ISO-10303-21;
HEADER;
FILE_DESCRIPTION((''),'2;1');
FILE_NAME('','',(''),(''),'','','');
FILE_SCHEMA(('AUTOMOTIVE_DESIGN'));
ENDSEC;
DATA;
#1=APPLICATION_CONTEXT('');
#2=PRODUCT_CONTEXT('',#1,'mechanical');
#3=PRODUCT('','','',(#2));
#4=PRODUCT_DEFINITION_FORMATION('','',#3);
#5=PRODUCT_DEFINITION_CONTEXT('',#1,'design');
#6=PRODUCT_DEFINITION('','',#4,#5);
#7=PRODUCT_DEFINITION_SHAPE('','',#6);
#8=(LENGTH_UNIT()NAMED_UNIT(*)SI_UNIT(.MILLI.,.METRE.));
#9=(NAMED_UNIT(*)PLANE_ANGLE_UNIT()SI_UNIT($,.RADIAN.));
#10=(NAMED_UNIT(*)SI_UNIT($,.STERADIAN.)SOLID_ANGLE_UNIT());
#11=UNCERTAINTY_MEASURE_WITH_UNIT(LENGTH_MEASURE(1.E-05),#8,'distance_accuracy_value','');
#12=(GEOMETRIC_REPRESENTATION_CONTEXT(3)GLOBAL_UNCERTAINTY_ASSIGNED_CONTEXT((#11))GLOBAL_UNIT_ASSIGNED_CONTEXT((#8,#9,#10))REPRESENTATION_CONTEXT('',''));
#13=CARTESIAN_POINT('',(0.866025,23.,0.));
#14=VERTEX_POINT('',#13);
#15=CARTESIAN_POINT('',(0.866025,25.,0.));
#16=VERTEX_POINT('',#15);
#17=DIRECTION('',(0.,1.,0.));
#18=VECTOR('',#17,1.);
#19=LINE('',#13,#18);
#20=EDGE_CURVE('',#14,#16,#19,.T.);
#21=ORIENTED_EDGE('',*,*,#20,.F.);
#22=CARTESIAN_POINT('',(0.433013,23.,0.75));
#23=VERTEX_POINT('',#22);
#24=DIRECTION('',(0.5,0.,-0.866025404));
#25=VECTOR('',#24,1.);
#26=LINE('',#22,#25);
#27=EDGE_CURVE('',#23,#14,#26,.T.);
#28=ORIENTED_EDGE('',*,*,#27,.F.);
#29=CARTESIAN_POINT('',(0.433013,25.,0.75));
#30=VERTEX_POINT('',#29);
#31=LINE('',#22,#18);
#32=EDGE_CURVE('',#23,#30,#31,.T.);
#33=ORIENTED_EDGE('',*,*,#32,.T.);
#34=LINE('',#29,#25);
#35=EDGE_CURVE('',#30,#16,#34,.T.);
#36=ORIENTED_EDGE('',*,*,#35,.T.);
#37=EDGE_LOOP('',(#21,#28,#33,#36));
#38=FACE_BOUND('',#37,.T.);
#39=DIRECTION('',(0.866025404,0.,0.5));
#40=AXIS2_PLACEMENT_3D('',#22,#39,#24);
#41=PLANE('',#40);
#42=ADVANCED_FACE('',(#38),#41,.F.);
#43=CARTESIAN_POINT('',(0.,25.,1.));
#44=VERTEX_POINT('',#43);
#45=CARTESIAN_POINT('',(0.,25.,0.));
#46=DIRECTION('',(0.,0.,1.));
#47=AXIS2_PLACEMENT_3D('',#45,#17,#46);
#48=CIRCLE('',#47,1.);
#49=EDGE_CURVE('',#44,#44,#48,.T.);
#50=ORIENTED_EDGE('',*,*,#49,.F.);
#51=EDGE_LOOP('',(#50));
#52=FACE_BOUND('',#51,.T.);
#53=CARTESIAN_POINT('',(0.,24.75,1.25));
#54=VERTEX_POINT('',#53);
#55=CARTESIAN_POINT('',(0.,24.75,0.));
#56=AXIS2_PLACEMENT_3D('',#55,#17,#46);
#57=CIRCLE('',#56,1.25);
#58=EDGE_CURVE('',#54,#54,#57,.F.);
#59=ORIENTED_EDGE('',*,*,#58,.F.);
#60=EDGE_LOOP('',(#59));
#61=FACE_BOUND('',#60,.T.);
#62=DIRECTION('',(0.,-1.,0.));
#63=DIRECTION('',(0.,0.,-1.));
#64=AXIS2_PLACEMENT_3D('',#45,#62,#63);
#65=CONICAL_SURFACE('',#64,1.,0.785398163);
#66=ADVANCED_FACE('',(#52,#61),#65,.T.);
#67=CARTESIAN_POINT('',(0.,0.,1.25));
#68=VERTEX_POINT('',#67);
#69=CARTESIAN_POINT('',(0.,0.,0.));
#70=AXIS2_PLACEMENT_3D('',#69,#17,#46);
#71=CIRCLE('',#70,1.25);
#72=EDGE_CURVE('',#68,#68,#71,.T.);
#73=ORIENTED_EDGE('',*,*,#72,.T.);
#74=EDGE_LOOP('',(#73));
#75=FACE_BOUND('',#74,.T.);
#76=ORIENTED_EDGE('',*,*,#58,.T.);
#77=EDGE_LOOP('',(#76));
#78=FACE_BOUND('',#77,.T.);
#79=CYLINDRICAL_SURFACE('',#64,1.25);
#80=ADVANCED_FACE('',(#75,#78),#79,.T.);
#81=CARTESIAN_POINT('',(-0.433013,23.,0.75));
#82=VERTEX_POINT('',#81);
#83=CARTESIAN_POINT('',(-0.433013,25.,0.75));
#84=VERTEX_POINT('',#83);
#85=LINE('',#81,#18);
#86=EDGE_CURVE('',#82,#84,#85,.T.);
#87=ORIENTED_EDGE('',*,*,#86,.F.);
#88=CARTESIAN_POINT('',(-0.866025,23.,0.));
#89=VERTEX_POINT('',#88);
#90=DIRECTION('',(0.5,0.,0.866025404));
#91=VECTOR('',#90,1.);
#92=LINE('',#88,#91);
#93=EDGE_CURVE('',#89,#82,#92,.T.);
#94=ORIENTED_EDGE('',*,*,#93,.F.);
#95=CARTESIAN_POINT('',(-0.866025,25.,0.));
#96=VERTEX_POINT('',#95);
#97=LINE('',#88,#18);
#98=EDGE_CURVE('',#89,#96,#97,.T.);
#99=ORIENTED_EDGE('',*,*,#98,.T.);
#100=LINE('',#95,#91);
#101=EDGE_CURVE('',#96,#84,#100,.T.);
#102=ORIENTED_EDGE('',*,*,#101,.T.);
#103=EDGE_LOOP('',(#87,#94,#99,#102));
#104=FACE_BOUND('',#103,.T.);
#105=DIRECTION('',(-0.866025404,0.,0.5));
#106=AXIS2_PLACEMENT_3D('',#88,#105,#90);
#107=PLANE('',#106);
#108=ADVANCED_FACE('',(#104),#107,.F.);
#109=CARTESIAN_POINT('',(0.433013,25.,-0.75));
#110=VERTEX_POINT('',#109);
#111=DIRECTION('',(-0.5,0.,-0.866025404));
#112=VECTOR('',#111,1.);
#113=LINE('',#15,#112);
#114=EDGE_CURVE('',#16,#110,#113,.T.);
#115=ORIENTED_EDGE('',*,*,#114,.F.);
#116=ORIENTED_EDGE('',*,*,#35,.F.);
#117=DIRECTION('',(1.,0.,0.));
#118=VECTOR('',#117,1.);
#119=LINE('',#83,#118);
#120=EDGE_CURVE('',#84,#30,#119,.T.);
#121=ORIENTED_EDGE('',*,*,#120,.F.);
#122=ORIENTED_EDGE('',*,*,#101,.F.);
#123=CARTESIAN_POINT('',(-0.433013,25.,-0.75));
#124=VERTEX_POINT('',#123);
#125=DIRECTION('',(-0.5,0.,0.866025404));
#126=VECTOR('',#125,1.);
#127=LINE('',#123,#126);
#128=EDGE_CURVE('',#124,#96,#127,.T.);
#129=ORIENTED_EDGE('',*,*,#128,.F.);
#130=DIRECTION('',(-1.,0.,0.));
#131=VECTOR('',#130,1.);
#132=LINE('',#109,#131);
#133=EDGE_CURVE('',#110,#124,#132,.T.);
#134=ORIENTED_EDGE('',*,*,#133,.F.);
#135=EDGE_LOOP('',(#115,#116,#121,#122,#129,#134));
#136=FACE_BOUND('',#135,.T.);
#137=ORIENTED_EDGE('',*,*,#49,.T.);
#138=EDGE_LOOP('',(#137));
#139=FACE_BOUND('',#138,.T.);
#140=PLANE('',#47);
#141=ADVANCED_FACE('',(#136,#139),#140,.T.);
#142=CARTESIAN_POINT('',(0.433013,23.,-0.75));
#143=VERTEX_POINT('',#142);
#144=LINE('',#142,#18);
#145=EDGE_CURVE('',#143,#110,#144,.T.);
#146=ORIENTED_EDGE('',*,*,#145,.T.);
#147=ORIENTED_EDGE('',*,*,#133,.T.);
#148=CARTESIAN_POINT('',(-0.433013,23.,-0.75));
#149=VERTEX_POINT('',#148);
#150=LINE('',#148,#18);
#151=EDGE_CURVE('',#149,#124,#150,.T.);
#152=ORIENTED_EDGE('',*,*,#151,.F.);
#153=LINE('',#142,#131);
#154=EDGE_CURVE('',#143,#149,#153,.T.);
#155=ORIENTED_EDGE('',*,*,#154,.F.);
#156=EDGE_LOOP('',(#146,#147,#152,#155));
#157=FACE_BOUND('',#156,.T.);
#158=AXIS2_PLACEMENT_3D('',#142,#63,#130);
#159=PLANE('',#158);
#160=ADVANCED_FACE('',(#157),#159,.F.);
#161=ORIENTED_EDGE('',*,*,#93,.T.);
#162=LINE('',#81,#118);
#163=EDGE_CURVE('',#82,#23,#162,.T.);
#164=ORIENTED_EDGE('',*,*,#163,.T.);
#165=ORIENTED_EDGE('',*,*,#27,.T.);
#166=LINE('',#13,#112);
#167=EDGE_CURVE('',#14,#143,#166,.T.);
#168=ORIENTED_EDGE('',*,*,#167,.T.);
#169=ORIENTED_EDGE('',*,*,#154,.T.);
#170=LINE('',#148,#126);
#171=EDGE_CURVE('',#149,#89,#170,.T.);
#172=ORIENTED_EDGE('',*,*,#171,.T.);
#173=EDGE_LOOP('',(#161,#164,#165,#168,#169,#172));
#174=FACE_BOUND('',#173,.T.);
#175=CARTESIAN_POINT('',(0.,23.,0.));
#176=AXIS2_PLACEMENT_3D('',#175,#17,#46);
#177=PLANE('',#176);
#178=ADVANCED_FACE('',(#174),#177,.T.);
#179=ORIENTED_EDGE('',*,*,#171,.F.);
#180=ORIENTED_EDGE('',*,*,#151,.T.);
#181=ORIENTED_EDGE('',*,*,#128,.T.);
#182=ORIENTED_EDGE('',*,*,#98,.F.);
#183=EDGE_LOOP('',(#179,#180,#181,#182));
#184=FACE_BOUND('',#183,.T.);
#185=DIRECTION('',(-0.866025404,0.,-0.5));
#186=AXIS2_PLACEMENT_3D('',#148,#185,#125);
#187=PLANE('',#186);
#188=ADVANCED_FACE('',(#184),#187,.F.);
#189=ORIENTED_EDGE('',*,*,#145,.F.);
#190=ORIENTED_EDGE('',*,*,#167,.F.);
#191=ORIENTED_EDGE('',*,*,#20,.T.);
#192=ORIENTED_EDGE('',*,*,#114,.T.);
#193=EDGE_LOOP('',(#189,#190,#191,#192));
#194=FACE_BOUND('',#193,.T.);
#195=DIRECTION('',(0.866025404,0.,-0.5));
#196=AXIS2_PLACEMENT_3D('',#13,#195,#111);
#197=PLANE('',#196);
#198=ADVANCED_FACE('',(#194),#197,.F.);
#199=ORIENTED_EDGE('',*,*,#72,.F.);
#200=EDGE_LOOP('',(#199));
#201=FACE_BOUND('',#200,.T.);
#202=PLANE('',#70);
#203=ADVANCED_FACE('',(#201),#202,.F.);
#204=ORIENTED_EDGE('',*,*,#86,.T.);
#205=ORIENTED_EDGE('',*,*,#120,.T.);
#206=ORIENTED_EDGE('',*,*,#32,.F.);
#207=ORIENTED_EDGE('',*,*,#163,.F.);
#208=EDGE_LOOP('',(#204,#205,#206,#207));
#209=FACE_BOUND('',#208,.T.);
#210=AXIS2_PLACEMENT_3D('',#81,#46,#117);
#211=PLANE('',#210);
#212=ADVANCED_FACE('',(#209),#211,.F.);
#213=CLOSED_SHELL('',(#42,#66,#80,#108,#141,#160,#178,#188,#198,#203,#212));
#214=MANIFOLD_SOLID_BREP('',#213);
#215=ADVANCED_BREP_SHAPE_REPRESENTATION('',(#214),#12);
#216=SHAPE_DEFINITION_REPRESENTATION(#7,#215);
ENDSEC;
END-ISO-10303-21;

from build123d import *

# Parameters (mm, degrees)
SKETCH1_R           = 1.25
BOSS_EXTRUDE1_DEPTH = 25
CUT_EXTRUDE1_DEPTH  = 2
CHAMFER1_SIZE       = 0.25


with BuildPart() as part:
    # Sketch1 → Boss-Extrude1 (new body)
    with BuildSketch(Plane(origin=(0, 0, 0), x_dir=(1, 0, 0), z_dir=(0, 1, 0))):
        Circle(SKETCH1_R)
    extrude(amount=BOSS_EXTRUDE1_DEPTH)

    # Sketch2 → Cut-Extrude1 (cut)
    with BuildSketch(Plane(origin=(0, 25, 0), x_dir=(1, 0, 0), z_dir=(0, 1, 0))):
        Polygon((0.866025404, 0), (0.433012702, 0.75), (-0.433012702, 0.75), (-0.866025404, 0), (-0.433012702, -0.75), (0.433012702, -0.75), align=None)
    extrude(amount=-CUT_EXTRUDE1_DEPTH, mode=Mode.SUBTRACT)

    # Chamfer1
    chamfer1_edges = [part.edges().sort_by_distance(p)[0] for p in [
        (-1.25, 25, 0),
    ]]
    chamfer(chamfer1_edges, length=CHAMFER1_SIZE)


solid = part.part
